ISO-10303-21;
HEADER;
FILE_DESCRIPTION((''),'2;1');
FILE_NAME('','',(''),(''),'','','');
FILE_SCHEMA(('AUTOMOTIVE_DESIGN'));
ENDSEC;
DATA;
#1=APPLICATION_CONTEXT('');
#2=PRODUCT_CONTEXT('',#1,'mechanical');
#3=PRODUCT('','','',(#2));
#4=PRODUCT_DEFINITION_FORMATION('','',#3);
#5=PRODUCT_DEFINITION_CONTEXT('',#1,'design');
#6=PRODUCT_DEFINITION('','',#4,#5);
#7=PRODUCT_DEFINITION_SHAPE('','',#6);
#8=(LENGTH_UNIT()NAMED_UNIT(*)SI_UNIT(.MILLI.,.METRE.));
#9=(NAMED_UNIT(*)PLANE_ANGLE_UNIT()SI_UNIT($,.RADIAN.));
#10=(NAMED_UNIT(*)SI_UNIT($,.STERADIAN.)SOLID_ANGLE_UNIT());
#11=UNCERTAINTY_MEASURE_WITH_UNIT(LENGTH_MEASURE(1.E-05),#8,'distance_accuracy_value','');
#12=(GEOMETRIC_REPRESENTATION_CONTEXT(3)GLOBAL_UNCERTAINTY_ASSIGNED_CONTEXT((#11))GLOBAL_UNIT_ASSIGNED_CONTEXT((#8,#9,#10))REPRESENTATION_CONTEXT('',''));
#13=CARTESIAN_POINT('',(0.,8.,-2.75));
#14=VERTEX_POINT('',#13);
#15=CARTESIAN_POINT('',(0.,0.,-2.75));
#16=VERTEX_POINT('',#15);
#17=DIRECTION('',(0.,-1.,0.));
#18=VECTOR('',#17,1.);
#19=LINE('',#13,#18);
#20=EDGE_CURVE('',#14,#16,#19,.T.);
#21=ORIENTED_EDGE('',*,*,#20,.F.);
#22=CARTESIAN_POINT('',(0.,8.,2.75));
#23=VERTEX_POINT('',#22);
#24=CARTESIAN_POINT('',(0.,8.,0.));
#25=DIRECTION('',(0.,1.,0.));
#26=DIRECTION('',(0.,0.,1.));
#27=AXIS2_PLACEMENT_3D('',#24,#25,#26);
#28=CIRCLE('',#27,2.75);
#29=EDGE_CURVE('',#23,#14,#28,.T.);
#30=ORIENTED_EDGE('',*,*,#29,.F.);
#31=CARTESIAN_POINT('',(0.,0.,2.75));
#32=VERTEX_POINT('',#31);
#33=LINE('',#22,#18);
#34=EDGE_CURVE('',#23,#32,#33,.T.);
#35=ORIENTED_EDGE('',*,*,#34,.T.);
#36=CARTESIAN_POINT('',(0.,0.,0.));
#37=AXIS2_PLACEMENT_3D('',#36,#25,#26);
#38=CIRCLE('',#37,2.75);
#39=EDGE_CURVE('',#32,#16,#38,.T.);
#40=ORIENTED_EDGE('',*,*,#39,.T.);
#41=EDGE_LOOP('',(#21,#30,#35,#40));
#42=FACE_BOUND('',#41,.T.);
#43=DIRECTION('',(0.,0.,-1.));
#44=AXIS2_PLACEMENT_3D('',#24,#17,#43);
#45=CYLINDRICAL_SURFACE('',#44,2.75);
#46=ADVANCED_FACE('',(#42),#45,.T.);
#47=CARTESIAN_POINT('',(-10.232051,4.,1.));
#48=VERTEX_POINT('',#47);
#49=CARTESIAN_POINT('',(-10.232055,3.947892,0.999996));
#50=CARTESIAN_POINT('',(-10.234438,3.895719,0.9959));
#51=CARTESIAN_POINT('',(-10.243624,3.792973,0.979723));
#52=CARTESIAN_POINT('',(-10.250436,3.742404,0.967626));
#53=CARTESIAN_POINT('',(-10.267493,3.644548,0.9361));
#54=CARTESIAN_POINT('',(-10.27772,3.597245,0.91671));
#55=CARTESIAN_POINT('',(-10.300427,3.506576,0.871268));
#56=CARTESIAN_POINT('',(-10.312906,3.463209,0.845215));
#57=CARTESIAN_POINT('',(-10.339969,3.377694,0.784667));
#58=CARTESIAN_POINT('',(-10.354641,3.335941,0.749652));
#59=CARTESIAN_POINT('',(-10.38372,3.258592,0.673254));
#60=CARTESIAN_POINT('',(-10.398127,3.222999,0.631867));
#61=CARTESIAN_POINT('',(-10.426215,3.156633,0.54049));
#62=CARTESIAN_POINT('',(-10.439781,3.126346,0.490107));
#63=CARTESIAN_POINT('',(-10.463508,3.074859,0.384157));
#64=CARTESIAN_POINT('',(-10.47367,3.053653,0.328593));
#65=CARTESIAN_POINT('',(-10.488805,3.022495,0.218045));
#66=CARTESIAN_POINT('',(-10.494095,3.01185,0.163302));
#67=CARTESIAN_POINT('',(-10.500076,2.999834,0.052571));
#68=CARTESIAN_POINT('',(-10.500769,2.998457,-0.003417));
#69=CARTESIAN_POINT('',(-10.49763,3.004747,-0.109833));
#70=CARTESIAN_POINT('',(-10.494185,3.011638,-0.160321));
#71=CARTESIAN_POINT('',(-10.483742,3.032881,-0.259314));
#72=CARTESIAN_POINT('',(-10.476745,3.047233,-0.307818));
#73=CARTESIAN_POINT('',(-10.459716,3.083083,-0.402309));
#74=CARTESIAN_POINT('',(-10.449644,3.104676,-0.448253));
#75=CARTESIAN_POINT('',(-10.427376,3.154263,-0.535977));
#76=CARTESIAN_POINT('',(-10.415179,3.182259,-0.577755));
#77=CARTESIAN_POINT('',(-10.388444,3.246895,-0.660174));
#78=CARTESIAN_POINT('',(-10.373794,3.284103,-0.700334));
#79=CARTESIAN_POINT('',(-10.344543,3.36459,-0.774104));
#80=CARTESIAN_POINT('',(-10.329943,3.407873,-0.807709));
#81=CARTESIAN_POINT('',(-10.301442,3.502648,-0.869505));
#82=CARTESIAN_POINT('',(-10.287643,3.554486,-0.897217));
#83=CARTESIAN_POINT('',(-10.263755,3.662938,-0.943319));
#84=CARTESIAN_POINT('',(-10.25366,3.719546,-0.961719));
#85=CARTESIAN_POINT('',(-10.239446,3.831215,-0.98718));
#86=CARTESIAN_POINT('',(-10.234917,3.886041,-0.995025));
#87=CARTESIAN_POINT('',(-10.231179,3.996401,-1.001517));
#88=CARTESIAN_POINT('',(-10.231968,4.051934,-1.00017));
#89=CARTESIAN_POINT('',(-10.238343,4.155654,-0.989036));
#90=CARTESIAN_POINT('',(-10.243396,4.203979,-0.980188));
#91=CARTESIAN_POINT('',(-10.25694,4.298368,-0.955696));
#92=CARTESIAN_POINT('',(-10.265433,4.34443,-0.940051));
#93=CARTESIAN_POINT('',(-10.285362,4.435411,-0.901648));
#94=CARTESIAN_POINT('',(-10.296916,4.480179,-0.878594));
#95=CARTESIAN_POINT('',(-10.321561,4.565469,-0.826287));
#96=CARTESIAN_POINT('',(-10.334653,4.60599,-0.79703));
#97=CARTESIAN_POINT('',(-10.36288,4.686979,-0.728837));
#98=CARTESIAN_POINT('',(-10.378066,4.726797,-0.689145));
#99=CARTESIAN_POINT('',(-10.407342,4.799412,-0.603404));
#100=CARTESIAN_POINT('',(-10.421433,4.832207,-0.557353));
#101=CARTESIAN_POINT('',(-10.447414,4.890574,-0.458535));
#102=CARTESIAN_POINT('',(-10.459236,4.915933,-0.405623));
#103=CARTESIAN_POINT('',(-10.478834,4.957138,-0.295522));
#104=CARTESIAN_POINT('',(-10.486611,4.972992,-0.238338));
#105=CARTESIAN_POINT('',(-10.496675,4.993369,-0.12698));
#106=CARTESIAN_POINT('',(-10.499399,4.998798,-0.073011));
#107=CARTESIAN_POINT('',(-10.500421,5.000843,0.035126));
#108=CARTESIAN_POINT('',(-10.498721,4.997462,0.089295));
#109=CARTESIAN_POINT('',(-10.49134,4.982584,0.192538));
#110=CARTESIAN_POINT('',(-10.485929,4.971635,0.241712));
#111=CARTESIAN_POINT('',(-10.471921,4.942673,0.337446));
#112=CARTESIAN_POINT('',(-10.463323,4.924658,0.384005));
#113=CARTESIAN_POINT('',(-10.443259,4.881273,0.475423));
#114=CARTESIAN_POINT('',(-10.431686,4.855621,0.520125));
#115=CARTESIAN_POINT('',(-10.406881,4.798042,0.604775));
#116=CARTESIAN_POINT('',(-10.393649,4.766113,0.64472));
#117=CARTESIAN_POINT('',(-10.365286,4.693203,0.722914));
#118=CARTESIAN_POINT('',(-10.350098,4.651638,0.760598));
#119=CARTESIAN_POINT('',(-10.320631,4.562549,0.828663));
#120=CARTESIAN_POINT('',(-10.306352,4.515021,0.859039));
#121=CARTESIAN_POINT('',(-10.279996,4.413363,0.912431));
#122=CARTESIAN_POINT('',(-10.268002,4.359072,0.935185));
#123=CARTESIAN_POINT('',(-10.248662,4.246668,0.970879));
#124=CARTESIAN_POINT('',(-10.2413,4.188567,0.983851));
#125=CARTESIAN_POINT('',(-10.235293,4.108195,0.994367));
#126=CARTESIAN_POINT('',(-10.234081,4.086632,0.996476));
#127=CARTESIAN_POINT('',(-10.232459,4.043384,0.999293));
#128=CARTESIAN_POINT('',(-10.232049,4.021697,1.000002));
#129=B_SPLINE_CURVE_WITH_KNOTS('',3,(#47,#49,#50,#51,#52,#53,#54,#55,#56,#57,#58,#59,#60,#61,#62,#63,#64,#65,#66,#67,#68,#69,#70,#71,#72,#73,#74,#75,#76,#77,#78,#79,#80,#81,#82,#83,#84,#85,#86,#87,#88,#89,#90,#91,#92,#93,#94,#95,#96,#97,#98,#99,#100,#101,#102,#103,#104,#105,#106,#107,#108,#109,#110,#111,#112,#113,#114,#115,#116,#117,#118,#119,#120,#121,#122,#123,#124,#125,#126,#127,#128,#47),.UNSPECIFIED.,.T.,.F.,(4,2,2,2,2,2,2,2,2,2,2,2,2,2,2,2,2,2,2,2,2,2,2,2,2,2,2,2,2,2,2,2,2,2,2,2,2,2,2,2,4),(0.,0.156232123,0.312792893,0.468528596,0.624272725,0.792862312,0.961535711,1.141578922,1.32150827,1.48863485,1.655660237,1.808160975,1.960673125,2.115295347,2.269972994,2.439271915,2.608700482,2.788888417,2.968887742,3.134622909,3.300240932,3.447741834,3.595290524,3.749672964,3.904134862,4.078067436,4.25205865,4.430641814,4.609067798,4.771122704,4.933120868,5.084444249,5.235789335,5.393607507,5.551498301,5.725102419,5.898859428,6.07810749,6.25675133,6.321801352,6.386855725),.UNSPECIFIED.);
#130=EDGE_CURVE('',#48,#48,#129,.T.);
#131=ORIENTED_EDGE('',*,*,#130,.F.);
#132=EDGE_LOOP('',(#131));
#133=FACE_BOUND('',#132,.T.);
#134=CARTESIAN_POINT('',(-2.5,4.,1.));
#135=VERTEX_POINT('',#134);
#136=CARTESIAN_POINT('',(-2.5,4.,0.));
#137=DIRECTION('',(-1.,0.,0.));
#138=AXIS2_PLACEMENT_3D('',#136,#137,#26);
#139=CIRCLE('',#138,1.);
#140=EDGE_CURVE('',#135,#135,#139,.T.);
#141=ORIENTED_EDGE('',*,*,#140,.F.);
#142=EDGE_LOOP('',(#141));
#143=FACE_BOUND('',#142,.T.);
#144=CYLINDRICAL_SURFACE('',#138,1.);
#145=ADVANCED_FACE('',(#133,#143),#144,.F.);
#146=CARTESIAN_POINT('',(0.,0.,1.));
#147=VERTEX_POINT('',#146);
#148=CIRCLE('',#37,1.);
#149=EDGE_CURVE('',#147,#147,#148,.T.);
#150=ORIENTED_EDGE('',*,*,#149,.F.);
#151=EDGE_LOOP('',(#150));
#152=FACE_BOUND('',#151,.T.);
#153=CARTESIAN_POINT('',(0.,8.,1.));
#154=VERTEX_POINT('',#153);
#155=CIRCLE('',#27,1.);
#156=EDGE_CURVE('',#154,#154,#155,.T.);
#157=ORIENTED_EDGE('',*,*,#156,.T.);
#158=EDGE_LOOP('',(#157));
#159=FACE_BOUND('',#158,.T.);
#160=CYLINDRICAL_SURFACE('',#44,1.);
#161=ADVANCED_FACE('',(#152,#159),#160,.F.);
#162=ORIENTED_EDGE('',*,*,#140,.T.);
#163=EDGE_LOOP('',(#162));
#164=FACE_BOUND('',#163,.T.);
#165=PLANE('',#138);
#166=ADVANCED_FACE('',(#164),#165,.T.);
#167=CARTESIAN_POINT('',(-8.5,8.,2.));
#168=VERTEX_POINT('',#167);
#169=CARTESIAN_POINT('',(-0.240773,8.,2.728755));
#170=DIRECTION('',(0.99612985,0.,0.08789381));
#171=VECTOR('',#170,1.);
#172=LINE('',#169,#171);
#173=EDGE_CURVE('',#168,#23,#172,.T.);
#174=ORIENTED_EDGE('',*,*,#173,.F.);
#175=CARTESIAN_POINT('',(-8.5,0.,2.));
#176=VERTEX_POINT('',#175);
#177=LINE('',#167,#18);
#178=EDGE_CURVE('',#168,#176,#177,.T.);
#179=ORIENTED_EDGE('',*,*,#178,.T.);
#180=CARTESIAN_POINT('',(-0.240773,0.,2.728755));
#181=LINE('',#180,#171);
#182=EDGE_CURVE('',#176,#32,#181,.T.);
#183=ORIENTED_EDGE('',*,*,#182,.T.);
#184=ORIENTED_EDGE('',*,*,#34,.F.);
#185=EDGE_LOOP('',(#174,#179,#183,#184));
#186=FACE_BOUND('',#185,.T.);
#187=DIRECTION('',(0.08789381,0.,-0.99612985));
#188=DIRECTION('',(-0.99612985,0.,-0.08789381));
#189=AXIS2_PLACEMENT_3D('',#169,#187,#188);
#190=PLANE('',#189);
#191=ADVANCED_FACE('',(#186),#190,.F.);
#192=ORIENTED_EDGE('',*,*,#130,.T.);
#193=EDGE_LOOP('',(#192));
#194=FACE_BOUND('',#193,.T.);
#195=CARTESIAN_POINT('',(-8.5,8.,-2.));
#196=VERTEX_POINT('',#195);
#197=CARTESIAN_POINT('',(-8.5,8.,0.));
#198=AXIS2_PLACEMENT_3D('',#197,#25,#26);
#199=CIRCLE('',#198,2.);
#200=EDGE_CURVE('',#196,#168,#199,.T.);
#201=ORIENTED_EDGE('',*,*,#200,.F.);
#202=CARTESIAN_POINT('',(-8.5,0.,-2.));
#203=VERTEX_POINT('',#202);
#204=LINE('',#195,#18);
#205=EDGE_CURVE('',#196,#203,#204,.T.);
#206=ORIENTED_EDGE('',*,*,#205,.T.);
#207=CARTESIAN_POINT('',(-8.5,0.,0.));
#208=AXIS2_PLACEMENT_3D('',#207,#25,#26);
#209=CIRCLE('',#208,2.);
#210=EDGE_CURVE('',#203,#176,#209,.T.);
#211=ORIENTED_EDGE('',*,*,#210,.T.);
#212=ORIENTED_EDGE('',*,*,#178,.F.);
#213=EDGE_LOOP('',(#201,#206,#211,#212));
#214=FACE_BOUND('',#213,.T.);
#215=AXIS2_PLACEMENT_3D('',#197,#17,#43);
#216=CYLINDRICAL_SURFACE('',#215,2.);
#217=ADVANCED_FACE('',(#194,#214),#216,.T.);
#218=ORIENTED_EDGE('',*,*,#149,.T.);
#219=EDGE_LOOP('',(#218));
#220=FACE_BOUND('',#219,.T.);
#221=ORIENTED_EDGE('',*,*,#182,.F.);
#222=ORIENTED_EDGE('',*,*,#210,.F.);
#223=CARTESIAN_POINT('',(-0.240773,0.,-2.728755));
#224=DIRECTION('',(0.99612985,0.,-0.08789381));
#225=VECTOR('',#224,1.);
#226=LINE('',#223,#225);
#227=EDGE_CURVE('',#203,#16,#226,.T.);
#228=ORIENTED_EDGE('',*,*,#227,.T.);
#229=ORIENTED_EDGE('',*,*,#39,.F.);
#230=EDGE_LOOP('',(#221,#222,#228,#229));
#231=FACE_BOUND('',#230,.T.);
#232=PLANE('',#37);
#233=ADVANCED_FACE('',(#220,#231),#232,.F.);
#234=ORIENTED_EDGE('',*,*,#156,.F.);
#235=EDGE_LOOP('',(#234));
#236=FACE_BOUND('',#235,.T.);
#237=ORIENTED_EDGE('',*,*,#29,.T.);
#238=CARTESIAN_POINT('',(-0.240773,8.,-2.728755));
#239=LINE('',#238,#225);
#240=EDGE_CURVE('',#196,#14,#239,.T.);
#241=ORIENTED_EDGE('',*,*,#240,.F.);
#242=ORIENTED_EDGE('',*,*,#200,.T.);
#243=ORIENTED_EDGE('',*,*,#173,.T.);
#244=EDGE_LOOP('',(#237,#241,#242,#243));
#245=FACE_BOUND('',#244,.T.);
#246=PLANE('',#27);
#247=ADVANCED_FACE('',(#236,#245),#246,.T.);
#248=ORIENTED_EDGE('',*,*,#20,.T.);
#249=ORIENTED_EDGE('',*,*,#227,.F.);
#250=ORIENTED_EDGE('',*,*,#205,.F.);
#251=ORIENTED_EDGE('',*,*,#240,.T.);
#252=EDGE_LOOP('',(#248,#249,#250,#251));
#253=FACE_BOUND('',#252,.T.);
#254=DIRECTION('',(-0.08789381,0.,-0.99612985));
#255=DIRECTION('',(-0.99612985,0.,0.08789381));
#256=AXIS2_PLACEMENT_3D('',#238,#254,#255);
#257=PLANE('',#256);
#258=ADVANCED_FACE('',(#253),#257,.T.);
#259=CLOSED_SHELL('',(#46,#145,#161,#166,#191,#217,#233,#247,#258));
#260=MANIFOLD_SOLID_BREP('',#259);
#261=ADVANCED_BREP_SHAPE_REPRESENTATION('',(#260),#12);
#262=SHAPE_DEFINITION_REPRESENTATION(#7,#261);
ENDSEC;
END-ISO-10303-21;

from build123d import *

# Parameters (mm, degrees)
SKETCH1_R           = 1
BOSS_EXTRUDE1_DEPTH = 8
SKETCH2_R           = 1
CUT_EXTRUDE1_DEPTH  = 8


with BuildPart() as part:
    # Sketch1 → Boss-Extrude1 (new body)
    with BuildSketch(Plane(origin=(0, 0, 0), x_dir=(1, 0, 0), z_dir=(0, 1, 0))):
        with BuildLine():
            Line((-0.481545064, 2.70751073), (-8.5, 2))
            ThreePointArc((-8.5, 2), (-10.5, 0), (-8.5, -2))
            Line((-8.5, -2), (-0.481545064, -2.70751073))
            Line((-0.481545064, -2.70751073), (0, -2.75))
            ThreePointArc((0, -2.75), (2.75, 0), (0, 2.75))
            Line((0, 2.75), (-0.481545064, 2.70751073))
        make_face()
        Circle(SKETCH1_R, mode=Mode.SUBTRACT)
    extrude(amount=BOSS_EXTRUDE1_DEPTH)

    # Sketch2 → Cut-Extrude1 (cut)
    with BuildSketch(Plane.ZY.offset(10.5)):
        with Locations((0, 4)):
            Circle(SKETCH2_R)
    extrude(amount=-CUT_EXTRUDE1_DEPTH, mode=Mode.SUBTRACT)


solid = part.part
